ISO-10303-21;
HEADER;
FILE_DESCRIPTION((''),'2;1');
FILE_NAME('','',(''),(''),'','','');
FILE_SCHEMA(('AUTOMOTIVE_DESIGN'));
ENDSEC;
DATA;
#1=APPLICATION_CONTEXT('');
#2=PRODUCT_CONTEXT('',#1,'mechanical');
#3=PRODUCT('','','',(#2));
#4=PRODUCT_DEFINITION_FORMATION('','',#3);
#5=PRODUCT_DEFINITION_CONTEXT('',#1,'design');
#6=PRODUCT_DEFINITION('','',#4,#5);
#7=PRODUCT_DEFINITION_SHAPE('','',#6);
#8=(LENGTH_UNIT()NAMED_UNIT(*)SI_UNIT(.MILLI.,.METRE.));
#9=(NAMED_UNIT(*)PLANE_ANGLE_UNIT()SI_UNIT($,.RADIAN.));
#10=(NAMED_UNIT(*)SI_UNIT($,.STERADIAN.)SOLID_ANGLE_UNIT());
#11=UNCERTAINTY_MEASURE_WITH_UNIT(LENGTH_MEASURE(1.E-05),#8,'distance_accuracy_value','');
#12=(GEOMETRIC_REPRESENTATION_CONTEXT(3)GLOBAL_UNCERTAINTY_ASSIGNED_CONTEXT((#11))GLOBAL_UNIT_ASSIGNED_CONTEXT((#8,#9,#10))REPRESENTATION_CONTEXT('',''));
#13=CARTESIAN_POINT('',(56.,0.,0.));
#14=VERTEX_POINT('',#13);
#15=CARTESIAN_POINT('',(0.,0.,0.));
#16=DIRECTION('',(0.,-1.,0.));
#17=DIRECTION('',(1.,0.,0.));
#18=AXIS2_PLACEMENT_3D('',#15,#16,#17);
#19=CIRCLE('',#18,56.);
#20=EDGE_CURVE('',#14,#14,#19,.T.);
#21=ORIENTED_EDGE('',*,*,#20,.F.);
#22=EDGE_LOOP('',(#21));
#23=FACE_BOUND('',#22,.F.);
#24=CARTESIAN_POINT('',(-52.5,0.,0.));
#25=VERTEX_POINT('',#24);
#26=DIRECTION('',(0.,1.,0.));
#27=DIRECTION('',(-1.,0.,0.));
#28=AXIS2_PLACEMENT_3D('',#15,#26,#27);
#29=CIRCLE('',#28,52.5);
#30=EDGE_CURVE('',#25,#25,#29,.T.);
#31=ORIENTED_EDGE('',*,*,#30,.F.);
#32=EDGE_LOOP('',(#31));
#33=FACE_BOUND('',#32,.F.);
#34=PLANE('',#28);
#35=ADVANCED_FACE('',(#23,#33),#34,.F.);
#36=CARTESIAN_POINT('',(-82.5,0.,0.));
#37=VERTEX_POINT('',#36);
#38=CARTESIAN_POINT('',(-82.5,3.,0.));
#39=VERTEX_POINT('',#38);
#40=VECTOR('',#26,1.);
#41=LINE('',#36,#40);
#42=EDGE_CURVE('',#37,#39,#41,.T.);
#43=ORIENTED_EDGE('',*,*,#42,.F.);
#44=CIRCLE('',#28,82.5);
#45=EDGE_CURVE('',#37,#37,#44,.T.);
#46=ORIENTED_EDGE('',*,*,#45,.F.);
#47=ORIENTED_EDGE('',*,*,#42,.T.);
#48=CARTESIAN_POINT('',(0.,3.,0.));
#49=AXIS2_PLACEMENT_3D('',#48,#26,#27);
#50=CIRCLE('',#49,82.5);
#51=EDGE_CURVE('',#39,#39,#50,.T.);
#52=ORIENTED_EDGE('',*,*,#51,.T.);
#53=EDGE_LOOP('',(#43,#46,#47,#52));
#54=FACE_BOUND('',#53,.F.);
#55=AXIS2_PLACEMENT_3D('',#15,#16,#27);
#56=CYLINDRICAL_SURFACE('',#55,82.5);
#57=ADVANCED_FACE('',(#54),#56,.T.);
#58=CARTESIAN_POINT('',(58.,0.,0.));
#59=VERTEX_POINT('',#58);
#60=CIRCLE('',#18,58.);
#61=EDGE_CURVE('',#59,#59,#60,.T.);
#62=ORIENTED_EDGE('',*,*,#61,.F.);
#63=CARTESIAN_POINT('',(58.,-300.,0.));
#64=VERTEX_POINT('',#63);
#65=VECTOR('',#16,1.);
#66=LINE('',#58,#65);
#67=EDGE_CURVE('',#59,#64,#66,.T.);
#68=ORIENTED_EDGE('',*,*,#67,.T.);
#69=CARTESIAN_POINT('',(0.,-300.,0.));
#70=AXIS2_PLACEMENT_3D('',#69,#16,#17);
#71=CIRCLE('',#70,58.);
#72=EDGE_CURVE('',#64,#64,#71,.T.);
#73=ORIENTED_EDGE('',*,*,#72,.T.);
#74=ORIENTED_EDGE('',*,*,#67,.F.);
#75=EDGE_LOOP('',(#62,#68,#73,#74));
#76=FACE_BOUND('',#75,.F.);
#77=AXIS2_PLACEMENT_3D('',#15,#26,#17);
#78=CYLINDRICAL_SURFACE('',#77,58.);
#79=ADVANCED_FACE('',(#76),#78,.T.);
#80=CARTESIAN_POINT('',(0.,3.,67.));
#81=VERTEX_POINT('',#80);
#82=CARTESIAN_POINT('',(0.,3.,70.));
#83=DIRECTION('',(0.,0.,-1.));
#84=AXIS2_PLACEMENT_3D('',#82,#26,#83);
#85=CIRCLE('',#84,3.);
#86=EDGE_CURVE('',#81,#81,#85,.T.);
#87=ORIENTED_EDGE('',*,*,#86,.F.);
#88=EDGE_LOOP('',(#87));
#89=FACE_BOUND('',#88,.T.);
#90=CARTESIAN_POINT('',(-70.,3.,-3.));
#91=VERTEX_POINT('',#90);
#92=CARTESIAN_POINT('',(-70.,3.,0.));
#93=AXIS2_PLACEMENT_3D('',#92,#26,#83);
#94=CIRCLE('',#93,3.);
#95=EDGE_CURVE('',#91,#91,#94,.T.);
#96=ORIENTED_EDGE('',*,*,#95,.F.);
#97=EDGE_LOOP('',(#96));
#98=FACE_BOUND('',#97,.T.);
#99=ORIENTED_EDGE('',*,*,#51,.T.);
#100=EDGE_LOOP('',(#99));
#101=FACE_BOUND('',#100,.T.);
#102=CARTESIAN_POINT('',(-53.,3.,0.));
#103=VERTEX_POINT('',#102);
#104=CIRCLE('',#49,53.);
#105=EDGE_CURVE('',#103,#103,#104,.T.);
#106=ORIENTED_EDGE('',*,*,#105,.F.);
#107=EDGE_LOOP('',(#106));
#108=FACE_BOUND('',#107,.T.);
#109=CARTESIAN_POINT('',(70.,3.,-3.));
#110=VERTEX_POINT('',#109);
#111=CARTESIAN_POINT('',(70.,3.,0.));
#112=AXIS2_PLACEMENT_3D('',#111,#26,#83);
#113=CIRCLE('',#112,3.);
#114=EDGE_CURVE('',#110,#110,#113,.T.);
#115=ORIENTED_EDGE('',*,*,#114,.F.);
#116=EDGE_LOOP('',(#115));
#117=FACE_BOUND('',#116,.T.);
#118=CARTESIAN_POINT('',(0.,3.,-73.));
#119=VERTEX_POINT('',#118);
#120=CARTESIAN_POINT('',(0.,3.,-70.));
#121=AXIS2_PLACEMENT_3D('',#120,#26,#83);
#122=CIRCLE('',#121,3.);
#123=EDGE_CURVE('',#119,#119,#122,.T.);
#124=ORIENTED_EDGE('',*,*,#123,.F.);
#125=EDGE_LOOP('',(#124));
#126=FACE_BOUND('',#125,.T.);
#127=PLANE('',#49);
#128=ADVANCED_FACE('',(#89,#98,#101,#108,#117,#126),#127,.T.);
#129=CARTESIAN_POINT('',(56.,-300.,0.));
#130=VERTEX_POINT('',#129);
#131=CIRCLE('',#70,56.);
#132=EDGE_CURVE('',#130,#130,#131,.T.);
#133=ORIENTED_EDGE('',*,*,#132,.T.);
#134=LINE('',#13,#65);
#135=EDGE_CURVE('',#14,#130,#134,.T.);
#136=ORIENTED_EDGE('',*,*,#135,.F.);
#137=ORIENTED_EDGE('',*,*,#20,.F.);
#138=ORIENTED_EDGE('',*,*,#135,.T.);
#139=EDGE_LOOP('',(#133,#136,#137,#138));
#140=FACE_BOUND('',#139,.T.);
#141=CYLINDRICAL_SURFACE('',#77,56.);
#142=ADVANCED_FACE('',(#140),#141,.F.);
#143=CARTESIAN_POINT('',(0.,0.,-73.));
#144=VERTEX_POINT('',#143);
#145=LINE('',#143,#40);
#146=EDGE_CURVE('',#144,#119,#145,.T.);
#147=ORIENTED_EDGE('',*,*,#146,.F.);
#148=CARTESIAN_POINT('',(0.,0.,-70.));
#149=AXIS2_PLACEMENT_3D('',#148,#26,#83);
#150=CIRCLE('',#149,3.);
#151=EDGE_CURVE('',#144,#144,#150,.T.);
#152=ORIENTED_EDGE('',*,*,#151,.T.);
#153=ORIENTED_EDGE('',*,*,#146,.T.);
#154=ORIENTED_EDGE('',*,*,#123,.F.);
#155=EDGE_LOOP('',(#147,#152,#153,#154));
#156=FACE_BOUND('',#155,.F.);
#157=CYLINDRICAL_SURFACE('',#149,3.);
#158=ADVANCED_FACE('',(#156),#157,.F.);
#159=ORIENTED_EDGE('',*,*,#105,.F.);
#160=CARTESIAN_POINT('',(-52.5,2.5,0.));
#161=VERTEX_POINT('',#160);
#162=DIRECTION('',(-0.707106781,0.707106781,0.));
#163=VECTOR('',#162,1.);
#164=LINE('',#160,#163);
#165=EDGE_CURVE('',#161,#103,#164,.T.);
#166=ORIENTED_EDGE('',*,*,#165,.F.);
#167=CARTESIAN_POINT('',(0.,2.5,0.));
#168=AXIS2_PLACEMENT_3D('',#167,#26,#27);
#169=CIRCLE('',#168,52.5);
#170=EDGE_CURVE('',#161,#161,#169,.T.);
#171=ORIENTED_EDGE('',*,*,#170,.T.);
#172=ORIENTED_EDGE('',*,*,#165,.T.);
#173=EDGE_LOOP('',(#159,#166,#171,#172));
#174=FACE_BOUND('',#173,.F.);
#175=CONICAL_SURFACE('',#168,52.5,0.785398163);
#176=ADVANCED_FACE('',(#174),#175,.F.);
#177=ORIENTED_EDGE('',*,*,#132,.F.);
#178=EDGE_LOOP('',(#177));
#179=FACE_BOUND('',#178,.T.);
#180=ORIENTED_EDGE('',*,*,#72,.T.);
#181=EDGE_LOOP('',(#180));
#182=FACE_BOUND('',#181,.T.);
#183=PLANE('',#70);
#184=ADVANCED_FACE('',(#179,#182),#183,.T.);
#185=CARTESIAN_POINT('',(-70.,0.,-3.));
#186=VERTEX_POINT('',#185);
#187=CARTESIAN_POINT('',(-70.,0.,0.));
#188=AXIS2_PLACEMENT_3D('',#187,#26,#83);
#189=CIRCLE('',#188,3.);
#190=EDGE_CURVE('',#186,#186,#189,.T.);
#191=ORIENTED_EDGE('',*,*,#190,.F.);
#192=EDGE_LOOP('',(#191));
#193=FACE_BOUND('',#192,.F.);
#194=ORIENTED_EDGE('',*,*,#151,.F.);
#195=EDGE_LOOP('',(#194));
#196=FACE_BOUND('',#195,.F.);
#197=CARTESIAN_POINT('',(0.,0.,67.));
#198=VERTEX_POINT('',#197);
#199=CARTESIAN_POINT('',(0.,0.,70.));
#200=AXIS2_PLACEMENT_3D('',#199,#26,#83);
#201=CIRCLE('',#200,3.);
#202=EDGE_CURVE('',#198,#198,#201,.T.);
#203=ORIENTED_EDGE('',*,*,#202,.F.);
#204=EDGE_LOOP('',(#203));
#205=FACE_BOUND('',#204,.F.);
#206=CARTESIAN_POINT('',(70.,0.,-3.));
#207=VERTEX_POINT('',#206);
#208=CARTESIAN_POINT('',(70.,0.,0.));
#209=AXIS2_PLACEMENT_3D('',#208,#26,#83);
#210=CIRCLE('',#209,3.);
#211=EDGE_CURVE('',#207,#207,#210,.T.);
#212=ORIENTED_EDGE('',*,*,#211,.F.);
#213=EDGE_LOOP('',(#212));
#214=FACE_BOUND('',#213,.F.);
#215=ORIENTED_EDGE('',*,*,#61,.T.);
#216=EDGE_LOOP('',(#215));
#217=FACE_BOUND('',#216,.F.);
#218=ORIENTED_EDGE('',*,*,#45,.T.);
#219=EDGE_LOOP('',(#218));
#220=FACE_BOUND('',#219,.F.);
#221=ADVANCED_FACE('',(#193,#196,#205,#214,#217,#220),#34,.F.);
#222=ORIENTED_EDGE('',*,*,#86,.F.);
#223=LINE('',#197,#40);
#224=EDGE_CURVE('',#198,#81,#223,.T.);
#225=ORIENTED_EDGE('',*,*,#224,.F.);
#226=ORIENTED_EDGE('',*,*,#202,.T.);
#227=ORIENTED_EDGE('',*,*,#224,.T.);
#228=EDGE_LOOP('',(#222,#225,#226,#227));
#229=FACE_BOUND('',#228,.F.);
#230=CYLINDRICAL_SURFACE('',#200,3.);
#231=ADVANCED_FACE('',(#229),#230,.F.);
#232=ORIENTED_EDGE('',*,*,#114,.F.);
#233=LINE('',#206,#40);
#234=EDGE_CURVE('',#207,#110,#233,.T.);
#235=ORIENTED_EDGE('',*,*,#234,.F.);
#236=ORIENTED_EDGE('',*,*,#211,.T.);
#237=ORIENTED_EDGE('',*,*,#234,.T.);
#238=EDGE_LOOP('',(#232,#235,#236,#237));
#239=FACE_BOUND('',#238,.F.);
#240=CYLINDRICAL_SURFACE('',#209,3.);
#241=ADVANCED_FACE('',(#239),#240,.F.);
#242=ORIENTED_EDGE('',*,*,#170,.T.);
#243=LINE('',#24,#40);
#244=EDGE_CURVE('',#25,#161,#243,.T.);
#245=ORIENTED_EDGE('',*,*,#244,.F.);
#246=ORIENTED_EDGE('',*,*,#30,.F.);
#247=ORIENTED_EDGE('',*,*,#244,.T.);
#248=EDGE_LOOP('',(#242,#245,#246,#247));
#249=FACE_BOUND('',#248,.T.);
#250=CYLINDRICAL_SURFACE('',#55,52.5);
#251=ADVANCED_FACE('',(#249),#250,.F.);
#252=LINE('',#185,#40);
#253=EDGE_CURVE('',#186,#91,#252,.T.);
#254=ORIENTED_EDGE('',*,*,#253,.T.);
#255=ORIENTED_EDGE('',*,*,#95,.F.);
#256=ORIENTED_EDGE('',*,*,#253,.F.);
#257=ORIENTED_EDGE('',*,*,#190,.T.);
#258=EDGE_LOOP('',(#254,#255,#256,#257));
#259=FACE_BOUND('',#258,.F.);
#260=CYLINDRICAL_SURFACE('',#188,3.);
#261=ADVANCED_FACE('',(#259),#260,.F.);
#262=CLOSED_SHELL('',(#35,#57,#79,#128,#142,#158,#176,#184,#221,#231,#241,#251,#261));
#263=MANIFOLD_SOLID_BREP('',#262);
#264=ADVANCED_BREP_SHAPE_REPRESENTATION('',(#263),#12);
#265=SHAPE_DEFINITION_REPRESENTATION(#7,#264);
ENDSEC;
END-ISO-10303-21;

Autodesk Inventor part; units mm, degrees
ref_plane "YZ Plane" through (0, 0, 0) normal (1, 0, 0) x (0, 1, 0)
ref_plane "XZ Plane" through (0, 0, 0) normal (0, 1, 0) x (-1, 0, 0)
ref_plane "XY Plane" through (0, 0, 0) normal (0, 0, 1) x (1, 0, 0)
sketch "Sketch1" plane through (0, 0, 0) normal (0, 1, 0) x (-1, 0, 0)
  circle A0 centre (0, 0) radius 52.5
  circle A1 centre (0, 0) radius 82.5
  dimension "d1" = 105
  dimension "d2" = 30
extrude "Extrusion1" add sketch "Sketch1" along normal blind 3
chamfer "Chamfer1" distance 0.5 angle 45 1 edges at (52.5, 3, 0)
sketch "Sketch4" plane through (0, 0, 0) normal (0, -1, 0) x (1, 0, 0)
  circle A0 centre (0, 0) radius 70 construction
  circle A1 centre (0, 70) radius 3
  circle A2 centre (-70, 0) radius 3
  circle A3 centre (0, -70) radius 3
  circle A4 centre (70, 0) radius 3
  dimension "d14" = 140
  dimension "d15" = 6
  dimension "d18" = 360
hole "Hole1" at (0, 0, 70) at (70, 0, 0) at (0, 0, -70) at (-70, 0, 0) direction (0, 1, 0) diameter 6 end through all
sketch "Sketch5" plane through (0, 0, 0) normal (0, -1, 0) x (1, 0, 0)
  circle A0 centre (0, 0) radius 56
  circle A1 centre (0, 0) radius 58
  dimension "d28" = 112
  dimension "d29" = 116
extrude "Extrusion3" add sketch "Sketch5" along normal blind 300
properties part number "110mm_flange"
